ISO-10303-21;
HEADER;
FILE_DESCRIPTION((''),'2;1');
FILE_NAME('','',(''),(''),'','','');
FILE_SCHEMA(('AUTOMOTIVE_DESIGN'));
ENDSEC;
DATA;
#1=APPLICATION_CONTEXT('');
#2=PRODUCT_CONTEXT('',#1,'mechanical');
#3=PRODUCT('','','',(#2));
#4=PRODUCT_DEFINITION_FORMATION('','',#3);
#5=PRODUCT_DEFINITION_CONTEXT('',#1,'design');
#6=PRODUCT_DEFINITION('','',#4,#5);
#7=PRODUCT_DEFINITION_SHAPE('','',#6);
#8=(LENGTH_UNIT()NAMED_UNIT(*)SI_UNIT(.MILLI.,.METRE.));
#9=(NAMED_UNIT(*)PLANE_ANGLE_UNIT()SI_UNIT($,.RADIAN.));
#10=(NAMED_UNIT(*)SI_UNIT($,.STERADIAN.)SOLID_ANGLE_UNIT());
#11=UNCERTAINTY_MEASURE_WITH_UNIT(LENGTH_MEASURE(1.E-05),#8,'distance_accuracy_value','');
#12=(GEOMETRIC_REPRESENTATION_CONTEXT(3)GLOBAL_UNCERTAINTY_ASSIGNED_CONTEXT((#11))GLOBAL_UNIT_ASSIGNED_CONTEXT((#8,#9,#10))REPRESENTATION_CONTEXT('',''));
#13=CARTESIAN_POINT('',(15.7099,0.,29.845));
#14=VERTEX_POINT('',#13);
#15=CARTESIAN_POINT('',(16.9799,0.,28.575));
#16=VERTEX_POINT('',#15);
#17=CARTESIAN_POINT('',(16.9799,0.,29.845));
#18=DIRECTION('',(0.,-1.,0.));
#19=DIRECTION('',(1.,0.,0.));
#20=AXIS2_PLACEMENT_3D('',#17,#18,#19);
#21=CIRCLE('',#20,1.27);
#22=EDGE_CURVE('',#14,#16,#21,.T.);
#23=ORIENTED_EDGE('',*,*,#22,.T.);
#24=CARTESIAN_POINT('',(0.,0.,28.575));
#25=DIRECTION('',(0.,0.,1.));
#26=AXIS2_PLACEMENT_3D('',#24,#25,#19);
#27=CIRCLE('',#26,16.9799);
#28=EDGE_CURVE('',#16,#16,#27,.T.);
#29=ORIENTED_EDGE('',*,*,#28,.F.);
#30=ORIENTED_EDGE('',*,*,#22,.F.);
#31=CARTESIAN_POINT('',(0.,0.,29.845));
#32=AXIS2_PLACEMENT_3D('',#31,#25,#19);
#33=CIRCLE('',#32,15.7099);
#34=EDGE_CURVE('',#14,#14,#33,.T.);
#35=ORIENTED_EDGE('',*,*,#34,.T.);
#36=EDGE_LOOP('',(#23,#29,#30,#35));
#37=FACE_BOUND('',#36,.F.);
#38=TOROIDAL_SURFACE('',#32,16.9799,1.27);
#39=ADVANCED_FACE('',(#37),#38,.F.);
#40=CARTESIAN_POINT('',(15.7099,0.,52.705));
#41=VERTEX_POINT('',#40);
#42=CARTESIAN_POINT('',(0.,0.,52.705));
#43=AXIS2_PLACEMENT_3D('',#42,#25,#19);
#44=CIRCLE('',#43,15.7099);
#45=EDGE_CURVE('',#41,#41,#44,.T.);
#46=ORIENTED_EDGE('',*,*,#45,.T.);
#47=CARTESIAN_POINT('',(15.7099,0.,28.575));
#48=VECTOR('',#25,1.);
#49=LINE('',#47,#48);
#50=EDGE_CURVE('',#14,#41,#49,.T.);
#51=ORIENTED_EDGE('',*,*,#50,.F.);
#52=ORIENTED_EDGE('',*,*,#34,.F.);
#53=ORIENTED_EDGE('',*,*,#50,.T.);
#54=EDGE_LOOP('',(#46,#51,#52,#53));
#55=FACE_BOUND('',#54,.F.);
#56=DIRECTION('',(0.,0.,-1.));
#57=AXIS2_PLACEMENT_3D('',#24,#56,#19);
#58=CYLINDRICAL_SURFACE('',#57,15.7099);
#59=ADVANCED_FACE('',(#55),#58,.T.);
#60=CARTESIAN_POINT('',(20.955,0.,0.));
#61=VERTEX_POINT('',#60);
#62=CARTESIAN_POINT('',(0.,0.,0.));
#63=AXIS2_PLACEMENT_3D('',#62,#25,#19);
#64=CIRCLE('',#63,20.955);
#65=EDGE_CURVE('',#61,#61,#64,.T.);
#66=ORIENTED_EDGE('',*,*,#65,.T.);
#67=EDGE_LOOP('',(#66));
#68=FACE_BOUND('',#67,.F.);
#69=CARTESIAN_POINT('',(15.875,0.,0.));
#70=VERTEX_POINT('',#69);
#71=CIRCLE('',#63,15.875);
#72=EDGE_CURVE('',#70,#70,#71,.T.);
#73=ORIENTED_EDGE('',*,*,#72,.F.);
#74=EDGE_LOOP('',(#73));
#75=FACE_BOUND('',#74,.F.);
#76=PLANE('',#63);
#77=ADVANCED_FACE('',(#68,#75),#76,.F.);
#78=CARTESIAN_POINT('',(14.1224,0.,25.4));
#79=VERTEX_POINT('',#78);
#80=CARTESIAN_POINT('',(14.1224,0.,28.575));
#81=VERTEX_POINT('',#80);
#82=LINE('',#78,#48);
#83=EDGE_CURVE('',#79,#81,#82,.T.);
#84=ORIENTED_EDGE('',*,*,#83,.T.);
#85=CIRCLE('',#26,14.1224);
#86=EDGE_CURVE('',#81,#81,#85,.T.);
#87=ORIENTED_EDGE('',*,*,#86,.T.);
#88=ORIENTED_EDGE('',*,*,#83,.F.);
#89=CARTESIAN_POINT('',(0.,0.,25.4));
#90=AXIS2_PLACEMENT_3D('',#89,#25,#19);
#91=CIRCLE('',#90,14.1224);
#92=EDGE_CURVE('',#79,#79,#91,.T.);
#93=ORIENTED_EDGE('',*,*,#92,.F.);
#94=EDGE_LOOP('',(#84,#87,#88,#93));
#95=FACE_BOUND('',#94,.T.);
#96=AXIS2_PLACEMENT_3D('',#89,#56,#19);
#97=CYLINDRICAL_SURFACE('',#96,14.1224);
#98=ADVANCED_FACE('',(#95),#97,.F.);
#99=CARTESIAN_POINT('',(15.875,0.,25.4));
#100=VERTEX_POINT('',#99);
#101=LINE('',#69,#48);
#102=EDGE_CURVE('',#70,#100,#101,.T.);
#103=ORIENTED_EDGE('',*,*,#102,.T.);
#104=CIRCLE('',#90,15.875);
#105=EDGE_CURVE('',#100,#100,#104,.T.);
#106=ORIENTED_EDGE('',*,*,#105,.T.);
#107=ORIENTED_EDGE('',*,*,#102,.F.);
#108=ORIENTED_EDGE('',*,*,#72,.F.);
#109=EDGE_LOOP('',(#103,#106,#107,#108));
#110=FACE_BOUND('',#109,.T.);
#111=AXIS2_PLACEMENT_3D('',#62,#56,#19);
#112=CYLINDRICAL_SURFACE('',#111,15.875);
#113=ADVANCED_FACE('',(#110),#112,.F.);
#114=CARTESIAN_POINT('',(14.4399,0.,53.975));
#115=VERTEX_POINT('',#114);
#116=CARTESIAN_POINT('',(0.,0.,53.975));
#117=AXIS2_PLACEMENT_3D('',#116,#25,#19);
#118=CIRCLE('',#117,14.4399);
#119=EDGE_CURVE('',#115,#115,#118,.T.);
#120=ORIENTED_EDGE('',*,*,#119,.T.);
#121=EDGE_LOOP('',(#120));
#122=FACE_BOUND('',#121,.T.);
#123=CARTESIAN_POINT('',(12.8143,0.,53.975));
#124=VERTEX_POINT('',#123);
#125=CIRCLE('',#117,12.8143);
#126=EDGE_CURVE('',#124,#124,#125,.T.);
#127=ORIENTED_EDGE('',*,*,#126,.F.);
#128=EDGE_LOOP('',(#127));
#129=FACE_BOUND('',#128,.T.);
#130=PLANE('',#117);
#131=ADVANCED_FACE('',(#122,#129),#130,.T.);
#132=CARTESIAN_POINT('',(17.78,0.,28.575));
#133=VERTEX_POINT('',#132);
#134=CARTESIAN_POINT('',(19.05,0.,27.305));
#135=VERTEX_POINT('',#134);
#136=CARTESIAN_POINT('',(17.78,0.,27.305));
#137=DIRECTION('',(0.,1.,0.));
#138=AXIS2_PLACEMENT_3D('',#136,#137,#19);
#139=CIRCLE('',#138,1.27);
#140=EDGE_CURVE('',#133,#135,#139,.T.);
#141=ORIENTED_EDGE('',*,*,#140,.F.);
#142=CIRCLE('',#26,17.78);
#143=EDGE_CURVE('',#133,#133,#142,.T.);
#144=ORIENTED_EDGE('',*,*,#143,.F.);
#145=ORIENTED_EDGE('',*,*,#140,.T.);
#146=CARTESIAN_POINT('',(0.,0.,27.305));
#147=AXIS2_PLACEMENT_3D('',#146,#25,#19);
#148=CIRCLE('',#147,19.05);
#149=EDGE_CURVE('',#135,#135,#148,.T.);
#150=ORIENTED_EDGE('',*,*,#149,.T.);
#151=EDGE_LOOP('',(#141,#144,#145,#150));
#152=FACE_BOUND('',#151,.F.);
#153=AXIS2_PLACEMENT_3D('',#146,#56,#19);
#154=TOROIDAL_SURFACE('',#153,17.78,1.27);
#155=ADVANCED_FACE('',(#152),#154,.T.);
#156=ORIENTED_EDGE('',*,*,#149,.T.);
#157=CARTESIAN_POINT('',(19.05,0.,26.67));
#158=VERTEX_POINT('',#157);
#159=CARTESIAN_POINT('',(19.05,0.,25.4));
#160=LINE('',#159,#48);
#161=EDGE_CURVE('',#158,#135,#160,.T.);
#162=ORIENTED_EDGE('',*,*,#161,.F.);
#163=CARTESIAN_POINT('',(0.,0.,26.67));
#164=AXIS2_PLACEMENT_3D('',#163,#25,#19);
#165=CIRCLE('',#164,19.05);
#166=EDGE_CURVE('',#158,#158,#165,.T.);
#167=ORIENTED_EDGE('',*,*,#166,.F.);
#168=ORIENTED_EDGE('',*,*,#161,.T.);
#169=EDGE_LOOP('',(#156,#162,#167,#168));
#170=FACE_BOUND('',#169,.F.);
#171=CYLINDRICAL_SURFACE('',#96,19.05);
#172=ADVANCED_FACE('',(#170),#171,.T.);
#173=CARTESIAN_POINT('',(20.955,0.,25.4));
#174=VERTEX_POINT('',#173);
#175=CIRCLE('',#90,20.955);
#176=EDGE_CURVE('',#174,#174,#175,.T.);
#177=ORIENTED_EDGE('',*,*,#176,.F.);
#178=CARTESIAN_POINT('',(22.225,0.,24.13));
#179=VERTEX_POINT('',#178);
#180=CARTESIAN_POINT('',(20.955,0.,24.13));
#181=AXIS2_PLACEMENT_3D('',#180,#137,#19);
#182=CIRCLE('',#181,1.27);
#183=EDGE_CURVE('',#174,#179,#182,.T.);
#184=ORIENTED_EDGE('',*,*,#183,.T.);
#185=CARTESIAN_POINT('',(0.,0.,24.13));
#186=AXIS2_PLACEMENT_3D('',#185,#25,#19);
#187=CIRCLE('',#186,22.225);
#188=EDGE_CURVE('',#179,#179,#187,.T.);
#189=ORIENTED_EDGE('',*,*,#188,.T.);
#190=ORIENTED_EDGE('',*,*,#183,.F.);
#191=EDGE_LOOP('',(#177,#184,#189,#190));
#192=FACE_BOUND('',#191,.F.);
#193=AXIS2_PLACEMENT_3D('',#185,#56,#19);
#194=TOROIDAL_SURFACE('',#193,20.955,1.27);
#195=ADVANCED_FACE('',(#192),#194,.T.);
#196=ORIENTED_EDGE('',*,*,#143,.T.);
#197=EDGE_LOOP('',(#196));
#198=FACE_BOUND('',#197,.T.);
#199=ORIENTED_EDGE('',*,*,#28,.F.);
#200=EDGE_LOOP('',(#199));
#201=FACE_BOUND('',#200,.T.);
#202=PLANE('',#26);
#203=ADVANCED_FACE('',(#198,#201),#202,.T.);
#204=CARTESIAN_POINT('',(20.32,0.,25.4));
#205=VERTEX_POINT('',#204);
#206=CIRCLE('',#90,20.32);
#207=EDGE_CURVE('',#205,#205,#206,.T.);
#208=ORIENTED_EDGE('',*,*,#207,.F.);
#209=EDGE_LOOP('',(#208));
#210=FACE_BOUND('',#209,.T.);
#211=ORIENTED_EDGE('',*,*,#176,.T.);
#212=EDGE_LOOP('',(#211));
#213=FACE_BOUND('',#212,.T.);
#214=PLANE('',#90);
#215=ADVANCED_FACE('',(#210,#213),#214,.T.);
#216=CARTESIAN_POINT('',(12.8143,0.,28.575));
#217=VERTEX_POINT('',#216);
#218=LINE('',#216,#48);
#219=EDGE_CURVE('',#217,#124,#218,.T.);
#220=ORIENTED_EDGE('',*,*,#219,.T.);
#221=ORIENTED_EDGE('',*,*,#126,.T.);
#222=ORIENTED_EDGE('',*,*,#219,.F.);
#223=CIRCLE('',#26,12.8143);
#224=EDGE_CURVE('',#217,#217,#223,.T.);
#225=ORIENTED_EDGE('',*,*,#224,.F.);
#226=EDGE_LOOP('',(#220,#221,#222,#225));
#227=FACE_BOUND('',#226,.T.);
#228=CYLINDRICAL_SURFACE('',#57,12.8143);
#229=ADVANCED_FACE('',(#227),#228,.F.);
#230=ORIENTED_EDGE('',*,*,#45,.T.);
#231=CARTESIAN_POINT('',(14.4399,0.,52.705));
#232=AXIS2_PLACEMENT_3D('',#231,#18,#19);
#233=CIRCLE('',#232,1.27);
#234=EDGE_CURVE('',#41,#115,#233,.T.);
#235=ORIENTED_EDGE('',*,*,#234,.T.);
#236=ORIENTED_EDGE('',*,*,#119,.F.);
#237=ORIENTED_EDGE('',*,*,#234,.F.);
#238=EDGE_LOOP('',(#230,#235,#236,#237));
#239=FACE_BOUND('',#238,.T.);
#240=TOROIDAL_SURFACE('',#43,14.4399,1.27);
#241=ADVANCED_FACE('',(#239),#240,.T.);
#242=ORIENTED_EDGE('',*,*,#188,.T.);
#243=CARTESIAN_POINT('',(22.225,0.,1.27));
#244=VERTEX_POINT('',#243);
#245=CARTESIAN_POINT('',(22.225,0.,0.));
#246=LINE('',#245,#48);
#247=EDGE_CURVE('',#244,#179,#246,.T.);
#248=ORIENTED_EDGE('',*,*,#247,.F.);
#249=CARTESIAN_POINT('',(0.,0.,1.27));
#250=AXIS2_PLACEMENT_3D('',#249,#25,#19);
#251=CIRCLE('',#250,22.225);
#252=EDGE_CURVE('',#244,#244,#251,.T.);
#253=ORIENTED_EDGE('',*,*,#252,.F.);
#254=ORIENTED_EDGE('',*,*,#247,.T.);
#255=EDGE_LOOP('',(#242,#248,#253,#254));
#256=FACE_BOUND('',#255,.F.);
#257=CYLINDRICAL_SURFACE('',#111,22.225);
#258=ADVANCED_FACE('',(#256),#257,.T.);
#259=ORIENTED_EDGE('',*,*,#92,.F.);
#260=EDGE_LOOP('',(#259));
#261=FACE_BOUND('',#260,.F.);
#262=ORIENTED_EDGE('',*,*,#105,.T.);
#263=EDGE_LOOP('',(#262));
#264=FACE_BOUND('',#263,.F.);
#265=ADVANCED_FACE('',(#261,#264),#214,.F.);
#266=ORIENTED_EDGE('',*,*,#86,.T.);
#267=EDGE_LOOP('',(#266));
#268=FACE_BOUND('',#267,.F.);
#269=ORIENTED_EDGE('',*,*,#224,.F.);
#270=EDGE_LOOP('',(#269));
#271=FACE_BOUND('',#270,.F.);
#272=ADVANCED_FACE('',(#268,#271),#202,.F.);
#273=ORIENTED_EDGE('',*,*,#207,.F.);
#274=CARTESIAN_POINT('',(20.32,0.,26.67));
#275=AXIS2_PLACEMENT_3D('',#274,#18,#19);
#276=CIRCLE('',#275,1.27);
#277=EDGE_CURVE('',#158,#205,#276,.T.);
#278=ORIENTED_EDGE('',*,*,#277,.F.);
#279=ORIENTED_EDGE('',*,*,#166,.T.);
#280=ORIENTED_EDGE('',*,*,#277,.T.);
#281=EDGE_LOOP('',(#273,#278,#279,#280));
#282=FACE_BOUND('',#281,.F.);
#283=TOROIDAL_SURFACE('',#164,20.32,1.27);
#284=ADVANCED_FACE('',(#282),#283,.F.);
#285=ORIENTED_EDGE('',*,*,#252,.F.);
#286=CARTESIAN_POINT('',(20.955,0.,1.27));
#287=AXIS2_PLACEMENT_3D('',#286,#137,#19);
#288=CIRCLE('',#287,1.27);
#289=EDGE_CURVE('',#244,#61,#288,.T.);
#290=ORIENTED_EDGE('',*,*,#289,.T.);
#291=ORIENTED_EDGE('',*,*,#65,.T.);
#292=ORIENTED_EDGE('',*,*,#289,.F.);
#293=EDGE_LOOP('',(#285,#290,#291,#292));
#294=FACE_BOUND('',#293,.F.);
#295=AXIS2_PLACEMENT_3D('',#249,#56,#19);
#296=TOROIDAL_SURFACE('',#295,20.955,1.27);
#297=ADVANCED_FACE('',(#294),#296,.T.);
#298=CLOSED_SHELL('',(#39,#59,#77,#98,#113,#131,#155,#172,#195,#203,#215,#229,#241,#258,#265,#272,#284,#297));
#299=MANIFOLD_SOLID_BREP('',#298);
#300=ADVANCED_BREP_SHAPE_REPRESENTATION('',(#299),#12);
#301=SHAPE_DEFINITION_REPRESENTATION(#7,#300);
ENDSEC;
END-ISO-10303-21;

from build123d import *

# Parameters (mm, degrees)
F0_R     = 22.225
F0_R_2   = 15.875
F1_DEPTH = 25.4
F2_R     = 19.05
F2_R_2   = 14.1224
F3_DEPTH = 3.175
F4_R     = 15.7099
F4_R_2   = 12.8143
F5_DEPTH = 25.4
F6_R     = 1.27


with BuildPart() as f1:
    # F0 (on Top) → F1 (new body)
    with BuildSketch(Plane.XY):
        Circle(F0_R)
        Circle(F0_R_2, mode=Mode.SUBTRACT)
    extrude(amount=F1_DEPTH)

    # F2 (on face) → F3 (join)
    with BuildSketch(Plane.XY.offset(25.4)):
        Circle(F2_R)
        Circle(F2_R_2, mode=Mode.SUBTRACT)
    extrude(amount=F3_DEPTH)

    # F4 (on face) → F5 (join)
    with BuildSketch(Plane.XY.offset(28.575)):
        Circle(F4_R)
        Circle(F4_R_2, mode=Mode.SUBTRACT)
    extrude(amount=F5_DEPTH)

    # F6
    f6_edges = [f1.edges().sort_by_distance(p)[0] for p in [
        (-15.7099, 0, 53.975),
        (-19.05, 0, 28.575),
        (-22.225, 0, 25.4),
        (-15.7099, 0, 28.575),
        (-22.225, 0, 0),
        (-19.05, 0, 25.4),
    ]]
    fillet(f6_edges, radius=F6_R)


solid = f1.part
